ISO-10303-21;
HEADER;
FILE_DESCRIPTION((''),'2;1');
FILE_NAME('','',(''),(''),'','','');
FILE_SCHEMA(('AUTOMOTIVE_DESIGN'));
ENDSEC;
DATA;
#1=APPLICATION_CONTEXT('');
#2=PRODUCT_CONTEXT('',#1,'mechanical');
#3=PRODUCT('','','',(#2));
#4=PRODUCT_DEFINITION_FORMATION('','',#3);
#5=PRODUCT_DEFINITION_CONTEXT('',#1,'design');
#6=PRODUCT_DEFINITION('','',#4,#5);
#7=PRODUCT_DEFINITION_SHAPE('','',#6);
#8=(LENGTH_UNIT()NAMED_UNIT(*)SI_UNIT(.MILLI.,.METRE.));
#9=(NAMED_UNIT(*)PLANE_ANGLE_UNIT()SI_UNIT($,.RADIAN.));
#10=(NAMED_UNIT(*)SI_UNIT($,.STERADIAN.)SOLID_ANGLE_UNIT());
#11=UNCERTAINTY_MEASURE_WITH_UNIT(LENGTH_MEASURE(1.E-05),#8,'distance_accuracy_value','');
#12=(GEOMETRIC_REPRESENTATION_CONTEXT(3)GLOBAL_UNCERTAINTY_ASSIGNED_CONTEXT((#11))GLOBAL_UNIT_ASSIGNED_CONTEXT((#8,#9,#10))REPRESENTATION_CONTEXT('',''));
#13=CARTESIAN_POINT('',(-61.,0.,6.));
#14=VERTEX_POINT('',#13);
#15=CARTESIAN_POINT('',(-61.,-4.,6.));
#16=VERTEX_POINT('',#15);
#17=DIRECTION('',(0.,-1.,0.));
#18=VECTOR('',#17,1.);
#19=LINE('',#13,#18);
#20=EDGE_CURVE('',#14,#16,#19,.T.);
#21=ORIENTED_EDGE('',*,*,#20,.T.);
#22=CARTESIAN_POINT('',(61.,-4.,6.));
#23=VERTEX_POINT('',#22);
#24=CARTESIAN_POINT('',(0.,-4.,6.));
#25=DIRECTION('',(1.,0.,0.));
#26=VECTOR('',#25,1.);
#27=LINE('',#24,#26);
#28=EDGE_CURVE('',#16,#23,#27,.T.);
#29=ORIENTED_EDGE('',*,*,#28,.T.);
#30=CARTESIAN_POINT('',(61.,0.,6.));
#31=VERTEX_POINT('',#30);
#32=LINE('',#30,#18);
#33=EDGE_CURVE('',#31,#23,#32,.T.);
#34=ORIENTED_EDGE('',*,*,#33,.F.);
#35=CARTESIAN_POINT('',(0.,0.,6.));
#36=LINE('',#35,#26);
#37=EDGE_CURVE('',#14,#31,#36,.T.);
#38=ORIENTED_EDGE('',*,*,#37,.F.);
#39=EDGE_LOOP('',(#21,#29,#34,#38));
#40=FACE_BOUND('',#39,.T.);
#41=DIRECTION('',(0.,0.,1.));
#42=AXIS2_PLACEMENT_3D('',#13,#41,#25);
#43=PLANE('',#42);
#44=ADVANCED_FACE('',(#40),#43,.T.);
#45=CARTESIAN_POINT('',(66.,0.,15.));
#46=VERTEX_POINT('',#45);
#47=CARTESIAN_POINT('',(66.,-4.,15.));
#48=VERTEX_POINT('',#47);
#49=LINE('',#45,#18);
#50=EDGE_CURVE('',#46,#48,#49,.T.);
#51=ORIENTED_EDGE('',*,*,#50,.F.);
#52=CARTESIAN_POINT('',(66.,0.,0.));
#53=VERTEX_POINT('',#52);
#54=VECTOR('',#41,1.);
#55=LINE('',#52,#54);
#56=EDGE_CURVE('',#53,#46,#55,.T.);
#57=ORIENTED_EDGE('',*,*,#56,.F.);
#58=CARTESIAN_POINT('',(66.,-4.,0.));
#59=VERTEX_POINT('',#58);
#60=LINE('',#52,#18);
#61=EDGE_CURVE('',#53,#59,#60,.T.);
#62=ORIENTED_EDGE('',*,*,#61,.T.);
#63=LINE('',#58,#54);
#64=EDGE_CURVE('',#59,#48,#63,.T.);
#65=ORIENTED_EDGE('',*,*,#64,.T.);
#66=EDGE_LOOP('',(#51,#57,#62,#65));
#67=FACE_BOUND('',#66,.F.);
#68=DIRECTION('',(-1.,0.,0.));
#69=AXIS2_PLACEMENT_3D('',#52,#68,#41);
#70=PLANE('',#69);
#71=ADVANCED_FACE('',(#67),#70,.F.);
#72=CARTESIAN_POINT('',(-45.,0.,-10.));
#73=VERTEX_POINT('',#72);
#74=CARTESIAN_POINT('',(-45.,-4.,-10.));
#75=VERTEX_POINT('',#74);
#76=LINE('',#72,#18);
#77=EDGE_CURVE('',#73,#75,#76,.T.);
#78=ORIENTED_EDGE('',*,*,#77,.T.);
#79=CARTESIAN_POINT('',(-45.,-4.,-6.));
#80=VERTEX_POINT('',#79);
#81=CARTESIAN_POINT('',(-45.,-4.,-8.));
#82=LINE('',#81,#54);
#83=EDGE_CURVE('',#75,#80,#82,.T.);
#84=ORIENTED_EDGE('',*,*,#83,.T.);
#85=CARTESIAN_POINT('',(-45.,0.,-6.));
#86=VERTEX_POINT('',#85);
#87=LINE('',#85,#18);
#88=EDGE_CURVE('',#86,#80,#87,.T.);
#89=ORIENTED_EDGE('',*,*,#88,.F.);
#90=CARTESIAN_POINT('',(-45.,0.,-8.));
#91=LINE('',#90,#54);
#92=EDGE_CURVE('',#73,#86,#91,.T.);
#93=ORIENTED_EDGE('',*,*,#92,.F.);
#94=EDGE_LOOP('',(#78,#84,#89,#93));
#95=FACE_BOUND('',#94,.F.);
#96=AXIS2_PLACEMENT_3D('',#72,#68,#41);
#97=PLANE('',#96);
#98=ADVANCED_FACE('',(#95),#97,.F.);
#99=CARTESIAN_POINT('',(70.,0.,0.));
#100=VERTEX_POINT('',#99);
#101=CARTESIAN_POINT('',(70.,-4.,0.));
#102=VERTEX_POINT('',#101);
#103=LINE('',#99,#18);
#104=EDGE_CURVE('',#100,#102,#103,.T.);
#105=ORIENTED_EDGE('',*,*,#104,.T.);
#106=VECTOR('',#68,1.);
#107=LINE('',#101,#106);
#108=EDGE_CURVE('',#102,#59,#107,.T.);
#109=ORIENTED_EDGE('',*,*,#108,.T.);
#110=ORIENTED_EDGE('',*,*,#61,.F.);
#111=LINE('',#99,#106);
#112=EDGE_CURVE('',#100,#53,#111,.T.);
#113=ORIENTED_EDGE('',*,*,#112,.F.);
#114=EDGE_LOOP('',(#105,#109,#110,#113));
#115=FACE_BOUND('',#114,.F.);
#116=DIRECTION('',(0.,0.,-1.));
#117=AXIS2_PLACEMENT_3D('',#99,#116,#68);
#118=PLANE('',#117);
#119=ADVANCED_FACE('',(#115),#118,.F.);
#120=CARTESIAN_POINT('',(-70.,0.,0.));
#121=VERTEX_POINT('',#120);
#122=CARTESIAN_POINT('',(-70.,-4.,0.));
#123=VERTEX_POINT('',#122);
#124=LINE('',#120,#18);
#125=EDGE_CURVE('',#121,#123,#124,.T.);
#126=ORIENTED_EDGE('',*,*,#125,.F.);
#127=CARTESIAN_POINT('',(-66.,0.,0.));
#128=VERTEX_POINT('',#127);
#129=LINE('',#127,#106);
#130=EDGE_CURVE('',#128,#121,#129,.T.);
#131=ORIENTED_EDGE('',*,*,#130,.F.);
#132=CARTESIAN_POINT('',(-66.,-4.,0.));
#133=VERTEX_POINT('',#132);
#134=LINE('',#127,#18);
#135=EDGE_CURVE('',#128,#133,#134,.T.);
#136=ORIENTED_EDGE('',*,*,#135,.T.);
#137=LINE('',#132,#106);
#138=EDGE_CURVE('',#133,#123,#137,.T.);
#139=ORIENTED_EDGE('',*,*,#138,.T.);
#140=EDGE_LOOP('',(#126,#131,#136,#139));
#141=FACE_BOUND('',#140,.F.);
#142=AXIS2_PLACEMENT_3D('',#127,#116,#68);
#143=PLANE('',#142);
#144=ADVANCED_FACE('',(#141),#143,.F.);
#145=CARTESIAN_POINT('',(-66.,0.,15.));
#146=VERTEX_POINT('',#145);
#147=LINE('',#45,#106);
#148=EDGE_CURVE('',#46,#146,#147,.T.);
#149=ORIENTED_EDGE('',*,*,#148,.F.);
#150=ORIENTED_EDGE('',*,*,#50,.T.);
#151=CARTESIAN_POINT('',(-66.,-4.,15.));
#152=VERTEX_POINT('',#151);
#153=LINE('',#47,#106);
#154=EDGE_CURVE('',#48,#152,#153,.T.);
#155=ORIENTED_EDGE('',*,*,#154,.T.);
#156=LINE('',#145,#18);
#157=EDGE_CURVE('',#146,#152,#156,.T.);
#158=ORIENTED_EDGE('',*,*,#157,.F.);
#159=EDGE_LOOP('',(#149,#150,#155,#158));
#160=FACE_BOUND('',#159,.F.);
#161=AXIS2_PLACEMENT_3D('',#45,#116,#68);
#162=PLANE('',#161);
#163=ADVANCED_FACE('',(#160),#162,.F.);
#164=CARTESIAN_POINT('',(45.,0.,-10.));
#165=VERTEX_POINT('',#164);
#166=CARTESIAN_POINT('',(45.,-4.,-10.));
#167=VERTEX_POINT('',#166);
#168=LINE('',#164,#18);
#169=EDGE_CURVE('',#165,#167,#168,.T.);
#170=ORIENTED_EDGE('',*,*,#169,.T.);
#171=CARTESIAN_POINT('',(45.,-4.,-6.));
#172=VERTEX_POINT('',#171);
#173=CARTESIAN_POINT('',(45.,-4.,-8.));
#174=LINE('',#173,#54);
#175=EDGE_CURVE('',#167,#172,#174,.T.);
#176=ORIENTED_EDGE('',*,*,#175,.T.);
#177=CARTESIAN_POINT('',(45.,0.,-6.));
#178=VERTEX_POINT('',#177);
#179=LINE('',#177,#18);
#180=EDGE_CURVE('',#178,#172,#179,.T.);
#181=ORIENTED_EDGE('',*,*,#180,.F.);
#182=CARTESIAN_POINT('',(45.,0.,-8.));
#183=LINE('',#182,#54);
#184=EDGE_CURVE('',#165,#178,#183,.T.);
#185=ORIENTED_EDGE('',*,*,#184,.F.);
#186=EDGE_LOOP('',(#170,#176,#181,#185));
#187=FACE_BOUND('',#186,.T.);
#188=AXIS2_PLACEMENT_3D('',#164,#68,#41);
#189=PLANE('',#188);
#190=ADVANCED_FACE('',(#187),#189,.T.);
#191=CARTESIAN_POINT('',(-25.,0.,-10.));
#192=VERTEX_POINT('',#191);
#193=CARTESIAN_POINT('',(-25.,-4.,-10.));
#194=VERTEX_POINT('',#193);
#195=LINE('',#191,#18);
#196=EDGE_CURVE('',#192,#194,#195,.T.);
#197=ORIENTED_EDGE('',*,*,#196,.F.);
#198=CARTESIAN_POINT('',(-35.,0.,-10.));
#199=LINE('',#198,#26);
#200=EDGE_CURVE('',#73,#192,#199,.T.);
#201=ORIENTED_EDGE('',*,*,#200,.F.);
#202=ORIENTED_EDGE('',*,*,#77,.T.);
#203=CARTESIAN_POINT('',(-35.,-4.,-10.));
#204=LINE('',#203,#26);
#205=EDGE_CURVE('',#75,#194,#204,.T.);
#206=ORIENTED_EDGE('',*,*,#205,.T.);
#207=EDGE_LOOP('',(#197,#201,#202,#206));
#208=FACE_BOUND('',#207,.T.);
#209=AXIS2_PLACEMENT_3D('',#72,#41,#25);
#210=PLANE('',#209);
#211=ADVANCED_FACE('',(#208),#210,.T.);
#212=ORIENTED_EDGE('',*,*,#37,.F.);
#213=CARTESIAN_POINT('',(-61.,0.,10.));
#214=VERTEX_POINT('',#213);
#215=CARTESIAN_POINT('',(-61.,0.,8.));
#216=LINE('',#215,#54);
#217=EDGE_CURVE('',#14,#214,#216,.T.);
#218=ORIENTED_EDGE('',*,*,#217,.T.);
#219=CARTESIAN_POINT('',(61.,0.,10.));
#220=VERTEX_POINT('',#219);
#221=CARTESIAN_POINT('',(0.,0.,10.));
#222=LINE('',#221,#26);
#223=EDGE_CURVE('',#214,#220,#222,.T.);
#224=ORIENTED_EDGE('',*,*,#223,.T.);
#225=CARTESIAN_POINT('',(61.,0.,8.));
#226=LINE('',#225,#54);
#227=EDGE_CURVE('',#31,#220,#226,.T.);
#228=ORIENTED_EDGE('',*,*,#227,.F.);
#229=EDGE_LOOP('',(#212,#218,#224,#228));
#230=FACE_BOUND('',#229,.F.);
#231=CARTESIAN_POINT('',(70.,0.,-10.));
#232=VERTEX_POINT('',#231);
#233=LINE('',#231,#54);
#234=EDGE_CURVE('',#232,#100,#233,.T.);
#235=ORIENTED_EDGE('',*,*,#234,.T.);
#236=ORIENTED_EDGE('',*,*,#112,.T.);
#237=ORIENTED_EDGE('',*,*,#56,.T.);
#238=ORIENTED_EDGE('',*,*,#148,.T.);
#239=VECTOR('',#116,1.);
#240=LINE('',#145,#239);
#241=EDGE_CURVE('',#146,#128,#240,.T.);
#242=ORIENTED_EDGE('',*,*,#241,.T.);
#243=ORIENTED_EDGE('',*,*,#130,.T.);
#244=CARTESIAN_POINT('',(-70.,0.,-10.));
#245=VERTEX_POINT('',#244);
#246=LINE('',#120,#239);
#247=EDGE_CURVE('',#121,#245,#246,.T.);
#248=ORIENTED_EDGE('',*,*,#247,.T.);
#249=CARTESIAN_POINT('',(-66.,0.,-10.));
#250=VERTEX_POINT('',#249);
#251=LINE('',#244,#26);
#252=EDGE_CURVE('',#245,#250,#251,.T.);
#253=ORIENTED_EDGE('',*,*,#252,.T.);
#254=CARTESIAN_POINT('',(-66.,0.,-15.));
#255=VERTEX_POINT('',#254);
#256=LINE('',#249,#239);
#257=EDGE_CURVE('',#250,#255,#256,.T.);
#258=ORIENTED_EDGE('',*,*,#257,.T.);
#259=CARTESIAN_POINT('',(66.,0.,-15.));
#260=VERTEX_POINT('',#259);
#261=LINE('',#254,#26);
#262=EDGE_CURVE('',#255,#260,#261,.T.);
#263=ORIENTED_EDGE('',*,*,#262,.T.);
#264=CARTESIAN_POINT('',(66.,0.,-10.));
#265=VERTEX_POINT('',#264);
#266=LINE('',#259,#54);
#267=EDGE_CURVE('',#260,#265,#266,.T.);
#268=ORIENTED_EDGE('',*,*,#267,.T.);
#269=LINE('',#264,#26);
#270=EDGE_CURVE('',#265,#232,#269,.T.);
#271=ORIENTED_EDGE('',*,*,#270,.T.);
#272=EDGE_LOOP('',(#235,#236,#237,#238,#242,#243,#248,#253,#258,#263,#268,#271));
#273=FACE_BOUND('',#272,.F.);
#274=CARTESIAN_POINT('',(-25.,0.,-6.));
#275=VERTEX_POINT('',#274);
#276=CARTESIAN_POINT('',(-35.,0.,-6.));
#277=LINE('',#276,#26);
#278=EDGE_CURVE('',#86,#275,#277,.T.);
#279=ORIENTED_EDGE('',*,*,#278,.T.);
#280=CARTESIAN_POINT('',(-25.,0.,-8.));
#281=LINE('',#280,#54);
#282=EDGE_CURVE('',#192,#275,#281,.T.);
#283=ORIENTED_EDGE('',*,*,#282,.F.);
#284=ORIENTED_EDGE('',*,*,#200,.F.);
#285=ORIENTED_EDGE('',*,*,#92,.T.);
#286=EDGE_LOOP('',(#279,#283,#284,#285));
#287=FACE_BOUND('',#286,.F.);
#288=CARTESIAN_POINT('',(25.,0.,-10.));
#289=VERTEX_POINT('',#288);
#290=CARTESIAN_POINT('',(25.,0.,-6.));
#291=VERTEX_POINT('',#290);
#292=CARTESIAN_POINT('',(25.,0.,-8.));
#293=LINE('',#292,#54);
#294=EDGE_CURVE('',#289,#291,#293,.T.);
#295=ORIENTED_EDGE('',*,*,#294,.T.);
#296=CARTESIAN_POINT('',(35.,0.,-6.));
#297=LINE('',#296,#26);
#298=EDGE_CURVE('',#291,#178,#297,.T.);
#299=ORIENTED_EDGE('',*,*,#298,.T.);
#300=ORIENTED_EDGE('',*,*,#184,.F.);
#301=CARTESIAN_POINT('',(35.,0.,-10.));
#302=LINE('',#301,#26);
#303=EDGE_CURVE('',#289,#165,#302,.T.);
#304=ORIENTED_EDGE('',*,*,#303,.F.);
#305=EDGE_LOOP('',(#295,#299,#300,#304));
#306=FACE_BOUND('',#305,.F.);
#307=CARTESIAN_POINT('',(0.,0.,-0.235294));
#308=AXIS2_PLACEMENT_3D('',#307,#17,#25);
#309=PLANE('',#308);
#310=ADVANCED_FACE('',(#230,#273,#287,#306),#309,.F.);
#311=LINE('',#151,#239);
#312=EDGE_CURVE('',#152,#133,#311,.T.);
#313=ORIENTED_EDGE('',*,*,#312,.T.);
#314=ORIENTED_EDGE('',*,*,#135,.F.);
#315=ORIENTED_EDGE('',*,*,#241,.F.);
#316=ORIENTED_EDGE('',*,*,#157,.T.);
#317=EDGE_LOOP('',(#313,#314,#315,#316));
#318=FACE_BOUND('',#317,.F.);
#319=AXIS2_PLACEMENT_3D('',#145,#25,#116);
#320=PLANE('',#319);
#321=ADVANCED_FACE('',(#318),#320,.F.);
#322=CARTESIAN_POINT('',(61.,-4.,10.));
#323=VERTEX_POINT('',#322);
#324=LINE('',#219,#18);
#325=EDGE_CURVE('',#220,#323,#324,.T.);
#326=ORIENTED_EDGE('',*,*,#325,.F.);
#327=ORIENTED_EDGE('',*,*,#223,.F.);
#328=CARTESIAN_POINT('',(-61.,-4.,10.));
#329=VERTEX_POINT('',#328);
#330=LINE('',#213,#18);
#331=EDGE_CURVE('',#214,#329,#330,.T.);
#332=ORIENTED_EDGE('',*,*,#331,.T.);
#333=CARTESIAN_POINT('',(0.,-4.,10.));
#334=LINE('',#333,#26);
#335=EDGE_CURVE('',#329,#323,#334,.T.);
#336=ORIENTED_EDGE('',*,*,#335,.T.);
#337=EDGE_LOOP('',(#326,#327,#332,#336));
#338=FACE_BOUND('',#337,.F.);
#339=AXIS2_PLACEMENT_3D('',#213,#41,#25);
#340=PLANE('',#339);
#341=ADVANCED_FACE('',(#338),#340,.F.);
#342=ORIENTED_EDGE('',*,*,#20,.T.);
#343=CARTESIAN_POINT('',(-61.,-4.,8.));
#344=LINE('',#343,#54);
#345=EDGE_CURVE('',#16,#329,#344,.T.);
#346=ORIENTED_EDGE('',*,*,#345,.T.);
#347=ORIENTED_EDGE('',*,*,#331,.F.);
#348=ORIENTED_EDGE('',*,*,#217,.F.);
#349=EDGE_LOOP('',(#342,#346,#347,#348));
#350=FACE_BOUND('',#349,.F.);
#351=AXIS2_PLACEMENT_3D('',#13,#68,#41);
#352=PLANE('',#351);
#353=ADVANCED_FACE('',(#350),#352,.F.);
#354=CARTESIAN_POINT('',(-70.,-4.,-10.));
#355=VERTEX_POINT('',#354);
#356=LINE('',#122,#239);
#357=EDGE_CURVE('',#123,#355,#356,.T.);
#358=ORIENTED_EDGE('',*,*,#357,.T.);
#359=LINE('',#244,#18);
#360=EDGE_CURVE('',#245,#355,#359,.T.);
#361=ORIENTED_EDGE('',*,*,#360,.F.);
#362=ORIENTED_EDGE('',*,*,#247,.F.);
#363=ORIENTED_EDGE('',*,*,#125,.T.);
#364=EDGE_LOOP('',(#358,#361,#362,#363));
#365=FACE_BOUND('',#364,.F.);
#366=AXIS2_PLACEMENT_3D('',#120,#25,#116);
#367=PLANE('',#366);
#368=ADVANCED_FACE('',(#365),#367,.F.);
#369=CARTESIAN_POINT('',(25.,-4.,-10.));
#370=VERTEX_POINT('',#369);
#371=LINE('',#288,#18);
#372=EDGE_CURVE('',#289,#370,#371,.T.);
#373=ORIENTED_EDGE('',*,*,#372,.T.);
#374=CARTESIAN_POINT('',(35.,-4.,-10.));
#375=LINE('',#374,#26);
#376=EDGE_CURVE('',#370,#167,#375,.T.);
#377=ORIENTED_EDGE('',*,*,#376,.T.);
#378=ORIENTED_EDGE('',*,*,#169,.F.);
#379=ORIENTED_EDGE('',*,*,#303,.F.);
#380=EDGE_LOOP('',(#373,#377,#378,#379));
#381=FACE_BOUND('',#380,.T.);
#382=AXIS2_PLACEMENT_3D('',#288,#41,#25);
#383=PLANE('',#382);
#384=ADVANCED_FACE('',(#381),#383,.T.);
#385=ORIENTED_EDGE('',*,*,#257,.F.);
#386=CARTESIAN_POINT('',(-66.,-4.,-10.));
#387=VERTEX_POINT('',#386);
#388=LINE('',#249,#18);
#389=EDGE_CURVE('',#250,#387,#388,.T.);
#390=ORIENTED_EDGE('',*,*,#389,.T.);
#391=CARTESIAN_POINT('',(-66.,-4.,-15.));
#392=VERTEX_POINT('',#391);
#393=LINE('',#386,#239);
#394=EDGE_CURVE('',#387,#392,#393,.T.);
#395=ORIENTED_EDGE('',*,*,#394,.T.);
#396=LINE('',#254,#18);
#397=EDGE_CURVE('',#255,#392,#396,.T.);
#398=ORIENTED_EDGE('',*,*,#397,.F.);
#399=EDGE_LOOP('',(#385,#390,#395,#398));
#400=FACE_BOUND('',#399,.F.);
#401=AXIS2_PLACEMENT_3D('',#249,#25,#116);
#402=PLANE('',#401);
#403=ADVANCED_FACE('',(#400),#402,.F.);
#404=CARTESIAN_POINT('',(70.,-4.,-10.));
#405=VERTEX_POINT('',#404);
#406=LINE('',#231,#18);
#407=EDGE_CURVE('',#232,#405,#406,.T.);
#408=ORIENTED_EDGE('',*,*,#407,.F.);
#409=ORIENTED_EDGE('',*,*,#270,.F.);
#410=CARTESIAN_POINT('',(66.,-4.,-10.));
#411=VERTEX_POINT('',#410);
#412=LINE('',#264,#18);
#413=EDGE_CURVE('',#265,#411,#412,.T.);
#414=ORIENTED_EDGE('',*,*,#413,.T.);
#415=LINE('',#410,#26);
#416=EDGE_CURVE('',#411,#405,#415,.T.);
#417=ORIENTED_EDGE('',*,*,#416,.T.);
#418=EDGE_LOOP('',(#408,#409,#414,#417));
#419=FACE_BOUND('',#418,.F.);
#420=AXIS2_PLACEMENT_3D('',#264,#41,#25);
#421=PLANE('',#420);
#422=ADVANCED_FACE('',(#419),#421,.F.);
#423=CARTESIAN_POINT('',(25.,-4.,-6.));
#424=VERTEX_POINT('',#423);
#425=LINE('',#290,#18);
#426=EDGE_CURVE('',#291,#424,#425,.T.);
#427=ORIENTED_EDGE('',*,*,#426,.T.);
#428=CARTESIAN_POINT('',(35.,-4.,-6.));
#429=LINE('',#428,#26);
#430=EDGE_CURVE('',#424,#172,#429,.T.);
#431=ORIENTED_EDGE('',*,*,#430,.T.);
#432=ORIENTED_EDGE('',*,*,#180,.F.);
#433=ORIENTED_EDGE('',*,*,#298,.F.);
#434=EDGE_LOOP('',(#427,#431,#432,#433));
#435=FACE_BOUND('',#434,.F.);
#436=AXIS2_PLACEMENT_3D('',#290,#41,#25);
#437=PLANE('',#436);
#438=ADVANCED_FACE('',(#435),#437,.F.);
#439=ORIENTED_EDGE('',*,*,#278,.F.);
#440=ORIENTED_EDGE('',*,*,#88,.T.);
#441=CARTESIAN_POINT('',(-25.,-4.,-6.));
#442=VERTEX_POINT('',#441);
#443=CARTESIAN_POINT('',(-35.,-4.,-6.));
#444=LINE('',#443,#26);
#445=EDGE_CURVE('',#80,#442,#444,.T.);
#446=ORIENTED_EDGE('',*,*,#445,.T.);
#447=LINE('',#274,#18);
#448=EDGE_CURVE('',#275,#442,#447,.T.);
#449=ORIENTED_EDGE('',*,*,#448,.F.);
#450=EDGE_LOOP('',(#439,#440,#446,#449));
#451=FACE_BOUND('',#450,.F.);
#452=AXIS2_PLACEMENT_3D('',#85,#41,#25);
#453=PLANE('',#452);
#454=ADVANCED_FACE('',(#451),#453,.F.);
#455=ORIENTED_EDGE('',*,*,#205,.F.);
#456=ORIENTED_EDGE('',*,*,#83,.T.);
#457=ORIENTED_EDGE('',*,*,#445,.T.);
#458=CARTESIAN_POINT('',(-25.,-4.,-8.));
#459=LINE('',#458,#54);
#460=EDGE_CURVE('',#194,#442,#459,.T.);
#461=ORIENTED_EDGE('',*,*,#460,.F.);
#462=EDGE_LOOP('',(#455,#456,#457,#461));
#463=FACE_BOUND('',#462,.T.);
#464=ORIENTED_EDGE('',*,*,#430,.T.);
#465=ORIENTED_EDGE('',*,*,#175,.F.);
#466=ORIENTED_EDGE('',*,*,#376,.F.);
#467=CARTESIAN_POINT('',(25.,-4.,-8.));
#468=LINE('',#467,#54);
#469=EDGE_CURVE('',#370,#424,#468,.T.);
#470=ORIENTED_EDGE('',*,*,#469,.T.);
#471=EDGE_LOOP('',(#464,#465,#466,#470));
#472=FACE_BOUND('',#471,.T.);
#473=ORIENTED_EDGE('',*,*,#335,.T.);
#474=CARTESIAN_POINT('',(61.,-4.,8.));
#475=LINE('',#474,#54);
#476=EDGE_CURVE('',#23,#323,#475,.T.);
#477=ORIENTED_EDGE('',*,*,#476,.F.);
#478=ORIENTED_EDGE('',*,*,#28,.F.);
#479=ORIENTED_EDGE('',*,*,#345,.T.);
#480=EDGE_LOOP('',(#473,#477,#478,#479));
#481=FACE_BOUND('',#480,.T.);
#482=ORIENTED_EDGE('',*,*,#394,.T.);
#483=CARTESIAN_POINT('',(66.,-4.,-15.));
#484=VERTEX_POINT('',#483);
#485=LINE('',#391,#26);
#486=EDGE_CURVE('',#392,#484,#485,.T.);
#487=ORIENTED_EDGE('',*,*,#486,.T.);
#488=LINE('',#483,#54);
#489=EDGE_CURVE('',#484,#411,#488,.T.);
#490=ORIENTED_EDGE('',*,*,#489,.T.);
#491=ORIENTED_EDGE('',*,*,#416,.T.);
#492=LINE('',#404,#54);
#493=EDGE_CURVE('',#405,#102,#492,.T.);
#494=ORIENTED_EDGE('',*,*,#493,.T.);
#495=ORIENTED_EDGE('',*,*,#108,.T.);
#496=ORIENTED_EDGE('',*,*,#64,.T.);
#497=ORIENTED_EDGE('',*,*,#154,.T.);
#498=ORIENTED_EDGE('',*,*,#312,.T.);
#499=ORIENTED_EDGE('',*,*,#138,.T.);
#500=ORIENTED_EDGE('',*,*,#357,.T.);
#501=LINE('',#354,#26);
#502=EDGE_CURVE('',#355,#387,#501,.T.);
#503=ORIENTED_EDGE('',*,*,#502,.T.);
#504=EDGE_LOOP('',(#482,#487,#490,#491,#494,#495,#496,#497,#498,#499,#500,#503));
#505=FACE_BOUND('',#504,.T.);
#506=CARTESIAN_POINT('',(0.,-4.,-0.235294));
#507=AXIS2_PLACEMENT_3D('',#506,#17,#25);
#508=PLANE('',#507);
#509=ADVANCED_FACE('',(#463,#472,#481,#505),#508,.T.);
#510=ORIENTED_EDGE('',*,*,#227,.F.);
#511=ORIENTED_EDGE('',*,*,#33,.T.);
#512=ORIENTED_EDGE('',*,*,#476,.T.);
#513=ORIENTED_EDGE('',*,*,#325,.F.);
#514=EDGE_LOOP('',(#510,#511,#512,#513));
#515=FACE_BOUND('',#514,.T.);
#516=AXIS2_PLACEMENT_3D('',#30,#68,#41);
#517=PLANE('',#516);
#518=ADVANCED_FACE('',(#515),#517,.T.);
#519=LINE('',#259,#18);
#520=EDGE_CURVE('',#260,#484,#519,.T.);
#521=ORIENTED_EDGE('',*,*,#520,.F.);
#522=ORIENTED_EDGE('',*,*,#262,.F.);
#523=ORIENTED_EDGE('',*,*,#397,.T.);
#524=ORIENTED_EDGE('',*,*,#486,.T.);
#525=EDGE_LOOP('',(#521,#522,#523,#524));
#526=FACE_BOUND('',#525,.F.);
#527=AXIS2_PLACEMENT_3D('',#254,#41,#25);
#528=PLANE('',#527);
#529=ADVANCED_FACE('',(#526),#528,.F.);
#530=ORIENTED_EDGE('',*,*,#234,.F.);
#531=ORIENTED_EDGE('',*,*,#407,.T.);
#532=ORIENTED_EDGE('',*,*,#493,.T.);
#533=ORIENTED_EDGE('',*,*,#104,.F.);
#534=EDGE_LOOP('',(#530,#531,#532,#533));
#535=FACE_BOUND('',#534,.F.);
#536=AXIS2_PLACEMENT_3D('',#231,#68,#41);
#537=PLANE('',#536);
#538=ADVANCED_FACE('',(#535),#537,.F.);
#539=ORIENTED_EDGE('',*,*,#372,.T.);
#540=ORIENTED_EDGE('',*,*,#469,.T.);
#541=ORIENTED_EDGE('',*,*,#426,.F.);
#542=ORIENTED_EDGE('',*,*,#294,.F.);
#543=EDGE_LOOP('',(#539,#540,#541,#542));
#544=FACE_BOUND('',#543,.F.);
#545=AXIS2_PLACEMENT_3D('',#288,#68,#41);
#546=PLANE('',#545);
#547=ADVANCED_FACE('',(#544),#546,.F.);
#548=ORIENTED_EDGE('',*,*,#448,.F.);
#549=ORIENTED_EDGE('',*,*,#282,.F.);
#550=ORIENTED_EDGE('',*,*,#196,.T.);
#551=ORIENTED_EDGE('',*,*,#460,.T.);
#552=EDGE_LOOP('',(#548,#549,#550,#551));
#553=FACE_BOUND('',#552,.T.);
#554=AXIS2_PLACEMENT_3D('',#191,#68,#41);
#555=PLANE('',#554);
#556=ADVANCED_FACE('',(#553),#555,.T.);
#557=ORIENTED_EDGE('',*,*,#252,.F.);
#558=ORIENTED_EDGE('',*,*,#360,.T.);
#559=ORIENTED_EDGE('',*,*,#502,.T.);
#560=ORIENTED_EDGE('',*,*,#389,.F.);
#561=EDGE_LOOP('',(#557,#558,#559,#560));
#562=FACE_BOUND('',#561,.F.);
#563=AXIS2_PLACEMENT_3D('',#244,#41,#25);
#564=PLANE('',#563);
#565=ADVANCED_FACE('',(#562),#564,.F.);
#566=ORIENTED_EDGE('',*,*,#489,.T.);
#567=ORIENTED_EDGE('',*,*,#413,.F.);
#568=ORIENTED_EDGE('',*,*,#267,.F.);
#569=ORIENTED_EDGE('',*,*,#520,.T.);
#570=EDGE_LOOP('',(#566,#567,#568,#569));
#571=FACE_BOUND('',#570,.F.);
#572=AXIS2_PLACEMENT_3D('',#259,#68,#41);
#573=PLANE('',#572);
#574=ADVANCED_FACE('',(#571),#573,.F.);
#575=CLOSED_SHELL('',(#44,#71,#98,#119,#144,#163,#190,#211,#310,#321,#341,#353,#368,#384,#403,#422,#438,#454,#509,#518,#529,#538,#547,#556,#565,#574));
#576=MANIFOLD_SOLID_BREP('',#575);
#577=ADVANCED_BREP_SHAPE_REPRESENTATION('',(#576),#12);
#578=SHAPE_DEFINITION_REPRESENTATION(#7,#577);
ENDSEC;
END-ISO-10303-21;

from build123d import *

# Parameters (mm, degrees)
F0_W     = 20
F0_H     = 4
F0_W_2   = 122
F1_DEPTH = 4


with BuildPart() as f1:
    # F0 (on Front) → F1 (new body)
    with BuildSketch(Plane.XZ):
        Polygon((66, 0), (66, 15), (-66, 15), (-66, 0), (-70, 0), (-70, -10), (-66, -10), (-66, -15), (66, -15), (66, -10), (70, -10), (70, 0), align=None)
        with Locations((-35, -8)):
            Rectangle(F0_W, F0_H, mode=Mode.SUBTRACT)
        with Locations((35, -8)):
            Rectangle(F0_W, F0_H, mode=Mode.SUBTRACT)
        with Locations((0, 8)):
            Rectangle(F0_W_2, F0_H, mode=Mode.SUBTRACT)
    extrude(amount=F1_DEPTH)


solid = f1.part
